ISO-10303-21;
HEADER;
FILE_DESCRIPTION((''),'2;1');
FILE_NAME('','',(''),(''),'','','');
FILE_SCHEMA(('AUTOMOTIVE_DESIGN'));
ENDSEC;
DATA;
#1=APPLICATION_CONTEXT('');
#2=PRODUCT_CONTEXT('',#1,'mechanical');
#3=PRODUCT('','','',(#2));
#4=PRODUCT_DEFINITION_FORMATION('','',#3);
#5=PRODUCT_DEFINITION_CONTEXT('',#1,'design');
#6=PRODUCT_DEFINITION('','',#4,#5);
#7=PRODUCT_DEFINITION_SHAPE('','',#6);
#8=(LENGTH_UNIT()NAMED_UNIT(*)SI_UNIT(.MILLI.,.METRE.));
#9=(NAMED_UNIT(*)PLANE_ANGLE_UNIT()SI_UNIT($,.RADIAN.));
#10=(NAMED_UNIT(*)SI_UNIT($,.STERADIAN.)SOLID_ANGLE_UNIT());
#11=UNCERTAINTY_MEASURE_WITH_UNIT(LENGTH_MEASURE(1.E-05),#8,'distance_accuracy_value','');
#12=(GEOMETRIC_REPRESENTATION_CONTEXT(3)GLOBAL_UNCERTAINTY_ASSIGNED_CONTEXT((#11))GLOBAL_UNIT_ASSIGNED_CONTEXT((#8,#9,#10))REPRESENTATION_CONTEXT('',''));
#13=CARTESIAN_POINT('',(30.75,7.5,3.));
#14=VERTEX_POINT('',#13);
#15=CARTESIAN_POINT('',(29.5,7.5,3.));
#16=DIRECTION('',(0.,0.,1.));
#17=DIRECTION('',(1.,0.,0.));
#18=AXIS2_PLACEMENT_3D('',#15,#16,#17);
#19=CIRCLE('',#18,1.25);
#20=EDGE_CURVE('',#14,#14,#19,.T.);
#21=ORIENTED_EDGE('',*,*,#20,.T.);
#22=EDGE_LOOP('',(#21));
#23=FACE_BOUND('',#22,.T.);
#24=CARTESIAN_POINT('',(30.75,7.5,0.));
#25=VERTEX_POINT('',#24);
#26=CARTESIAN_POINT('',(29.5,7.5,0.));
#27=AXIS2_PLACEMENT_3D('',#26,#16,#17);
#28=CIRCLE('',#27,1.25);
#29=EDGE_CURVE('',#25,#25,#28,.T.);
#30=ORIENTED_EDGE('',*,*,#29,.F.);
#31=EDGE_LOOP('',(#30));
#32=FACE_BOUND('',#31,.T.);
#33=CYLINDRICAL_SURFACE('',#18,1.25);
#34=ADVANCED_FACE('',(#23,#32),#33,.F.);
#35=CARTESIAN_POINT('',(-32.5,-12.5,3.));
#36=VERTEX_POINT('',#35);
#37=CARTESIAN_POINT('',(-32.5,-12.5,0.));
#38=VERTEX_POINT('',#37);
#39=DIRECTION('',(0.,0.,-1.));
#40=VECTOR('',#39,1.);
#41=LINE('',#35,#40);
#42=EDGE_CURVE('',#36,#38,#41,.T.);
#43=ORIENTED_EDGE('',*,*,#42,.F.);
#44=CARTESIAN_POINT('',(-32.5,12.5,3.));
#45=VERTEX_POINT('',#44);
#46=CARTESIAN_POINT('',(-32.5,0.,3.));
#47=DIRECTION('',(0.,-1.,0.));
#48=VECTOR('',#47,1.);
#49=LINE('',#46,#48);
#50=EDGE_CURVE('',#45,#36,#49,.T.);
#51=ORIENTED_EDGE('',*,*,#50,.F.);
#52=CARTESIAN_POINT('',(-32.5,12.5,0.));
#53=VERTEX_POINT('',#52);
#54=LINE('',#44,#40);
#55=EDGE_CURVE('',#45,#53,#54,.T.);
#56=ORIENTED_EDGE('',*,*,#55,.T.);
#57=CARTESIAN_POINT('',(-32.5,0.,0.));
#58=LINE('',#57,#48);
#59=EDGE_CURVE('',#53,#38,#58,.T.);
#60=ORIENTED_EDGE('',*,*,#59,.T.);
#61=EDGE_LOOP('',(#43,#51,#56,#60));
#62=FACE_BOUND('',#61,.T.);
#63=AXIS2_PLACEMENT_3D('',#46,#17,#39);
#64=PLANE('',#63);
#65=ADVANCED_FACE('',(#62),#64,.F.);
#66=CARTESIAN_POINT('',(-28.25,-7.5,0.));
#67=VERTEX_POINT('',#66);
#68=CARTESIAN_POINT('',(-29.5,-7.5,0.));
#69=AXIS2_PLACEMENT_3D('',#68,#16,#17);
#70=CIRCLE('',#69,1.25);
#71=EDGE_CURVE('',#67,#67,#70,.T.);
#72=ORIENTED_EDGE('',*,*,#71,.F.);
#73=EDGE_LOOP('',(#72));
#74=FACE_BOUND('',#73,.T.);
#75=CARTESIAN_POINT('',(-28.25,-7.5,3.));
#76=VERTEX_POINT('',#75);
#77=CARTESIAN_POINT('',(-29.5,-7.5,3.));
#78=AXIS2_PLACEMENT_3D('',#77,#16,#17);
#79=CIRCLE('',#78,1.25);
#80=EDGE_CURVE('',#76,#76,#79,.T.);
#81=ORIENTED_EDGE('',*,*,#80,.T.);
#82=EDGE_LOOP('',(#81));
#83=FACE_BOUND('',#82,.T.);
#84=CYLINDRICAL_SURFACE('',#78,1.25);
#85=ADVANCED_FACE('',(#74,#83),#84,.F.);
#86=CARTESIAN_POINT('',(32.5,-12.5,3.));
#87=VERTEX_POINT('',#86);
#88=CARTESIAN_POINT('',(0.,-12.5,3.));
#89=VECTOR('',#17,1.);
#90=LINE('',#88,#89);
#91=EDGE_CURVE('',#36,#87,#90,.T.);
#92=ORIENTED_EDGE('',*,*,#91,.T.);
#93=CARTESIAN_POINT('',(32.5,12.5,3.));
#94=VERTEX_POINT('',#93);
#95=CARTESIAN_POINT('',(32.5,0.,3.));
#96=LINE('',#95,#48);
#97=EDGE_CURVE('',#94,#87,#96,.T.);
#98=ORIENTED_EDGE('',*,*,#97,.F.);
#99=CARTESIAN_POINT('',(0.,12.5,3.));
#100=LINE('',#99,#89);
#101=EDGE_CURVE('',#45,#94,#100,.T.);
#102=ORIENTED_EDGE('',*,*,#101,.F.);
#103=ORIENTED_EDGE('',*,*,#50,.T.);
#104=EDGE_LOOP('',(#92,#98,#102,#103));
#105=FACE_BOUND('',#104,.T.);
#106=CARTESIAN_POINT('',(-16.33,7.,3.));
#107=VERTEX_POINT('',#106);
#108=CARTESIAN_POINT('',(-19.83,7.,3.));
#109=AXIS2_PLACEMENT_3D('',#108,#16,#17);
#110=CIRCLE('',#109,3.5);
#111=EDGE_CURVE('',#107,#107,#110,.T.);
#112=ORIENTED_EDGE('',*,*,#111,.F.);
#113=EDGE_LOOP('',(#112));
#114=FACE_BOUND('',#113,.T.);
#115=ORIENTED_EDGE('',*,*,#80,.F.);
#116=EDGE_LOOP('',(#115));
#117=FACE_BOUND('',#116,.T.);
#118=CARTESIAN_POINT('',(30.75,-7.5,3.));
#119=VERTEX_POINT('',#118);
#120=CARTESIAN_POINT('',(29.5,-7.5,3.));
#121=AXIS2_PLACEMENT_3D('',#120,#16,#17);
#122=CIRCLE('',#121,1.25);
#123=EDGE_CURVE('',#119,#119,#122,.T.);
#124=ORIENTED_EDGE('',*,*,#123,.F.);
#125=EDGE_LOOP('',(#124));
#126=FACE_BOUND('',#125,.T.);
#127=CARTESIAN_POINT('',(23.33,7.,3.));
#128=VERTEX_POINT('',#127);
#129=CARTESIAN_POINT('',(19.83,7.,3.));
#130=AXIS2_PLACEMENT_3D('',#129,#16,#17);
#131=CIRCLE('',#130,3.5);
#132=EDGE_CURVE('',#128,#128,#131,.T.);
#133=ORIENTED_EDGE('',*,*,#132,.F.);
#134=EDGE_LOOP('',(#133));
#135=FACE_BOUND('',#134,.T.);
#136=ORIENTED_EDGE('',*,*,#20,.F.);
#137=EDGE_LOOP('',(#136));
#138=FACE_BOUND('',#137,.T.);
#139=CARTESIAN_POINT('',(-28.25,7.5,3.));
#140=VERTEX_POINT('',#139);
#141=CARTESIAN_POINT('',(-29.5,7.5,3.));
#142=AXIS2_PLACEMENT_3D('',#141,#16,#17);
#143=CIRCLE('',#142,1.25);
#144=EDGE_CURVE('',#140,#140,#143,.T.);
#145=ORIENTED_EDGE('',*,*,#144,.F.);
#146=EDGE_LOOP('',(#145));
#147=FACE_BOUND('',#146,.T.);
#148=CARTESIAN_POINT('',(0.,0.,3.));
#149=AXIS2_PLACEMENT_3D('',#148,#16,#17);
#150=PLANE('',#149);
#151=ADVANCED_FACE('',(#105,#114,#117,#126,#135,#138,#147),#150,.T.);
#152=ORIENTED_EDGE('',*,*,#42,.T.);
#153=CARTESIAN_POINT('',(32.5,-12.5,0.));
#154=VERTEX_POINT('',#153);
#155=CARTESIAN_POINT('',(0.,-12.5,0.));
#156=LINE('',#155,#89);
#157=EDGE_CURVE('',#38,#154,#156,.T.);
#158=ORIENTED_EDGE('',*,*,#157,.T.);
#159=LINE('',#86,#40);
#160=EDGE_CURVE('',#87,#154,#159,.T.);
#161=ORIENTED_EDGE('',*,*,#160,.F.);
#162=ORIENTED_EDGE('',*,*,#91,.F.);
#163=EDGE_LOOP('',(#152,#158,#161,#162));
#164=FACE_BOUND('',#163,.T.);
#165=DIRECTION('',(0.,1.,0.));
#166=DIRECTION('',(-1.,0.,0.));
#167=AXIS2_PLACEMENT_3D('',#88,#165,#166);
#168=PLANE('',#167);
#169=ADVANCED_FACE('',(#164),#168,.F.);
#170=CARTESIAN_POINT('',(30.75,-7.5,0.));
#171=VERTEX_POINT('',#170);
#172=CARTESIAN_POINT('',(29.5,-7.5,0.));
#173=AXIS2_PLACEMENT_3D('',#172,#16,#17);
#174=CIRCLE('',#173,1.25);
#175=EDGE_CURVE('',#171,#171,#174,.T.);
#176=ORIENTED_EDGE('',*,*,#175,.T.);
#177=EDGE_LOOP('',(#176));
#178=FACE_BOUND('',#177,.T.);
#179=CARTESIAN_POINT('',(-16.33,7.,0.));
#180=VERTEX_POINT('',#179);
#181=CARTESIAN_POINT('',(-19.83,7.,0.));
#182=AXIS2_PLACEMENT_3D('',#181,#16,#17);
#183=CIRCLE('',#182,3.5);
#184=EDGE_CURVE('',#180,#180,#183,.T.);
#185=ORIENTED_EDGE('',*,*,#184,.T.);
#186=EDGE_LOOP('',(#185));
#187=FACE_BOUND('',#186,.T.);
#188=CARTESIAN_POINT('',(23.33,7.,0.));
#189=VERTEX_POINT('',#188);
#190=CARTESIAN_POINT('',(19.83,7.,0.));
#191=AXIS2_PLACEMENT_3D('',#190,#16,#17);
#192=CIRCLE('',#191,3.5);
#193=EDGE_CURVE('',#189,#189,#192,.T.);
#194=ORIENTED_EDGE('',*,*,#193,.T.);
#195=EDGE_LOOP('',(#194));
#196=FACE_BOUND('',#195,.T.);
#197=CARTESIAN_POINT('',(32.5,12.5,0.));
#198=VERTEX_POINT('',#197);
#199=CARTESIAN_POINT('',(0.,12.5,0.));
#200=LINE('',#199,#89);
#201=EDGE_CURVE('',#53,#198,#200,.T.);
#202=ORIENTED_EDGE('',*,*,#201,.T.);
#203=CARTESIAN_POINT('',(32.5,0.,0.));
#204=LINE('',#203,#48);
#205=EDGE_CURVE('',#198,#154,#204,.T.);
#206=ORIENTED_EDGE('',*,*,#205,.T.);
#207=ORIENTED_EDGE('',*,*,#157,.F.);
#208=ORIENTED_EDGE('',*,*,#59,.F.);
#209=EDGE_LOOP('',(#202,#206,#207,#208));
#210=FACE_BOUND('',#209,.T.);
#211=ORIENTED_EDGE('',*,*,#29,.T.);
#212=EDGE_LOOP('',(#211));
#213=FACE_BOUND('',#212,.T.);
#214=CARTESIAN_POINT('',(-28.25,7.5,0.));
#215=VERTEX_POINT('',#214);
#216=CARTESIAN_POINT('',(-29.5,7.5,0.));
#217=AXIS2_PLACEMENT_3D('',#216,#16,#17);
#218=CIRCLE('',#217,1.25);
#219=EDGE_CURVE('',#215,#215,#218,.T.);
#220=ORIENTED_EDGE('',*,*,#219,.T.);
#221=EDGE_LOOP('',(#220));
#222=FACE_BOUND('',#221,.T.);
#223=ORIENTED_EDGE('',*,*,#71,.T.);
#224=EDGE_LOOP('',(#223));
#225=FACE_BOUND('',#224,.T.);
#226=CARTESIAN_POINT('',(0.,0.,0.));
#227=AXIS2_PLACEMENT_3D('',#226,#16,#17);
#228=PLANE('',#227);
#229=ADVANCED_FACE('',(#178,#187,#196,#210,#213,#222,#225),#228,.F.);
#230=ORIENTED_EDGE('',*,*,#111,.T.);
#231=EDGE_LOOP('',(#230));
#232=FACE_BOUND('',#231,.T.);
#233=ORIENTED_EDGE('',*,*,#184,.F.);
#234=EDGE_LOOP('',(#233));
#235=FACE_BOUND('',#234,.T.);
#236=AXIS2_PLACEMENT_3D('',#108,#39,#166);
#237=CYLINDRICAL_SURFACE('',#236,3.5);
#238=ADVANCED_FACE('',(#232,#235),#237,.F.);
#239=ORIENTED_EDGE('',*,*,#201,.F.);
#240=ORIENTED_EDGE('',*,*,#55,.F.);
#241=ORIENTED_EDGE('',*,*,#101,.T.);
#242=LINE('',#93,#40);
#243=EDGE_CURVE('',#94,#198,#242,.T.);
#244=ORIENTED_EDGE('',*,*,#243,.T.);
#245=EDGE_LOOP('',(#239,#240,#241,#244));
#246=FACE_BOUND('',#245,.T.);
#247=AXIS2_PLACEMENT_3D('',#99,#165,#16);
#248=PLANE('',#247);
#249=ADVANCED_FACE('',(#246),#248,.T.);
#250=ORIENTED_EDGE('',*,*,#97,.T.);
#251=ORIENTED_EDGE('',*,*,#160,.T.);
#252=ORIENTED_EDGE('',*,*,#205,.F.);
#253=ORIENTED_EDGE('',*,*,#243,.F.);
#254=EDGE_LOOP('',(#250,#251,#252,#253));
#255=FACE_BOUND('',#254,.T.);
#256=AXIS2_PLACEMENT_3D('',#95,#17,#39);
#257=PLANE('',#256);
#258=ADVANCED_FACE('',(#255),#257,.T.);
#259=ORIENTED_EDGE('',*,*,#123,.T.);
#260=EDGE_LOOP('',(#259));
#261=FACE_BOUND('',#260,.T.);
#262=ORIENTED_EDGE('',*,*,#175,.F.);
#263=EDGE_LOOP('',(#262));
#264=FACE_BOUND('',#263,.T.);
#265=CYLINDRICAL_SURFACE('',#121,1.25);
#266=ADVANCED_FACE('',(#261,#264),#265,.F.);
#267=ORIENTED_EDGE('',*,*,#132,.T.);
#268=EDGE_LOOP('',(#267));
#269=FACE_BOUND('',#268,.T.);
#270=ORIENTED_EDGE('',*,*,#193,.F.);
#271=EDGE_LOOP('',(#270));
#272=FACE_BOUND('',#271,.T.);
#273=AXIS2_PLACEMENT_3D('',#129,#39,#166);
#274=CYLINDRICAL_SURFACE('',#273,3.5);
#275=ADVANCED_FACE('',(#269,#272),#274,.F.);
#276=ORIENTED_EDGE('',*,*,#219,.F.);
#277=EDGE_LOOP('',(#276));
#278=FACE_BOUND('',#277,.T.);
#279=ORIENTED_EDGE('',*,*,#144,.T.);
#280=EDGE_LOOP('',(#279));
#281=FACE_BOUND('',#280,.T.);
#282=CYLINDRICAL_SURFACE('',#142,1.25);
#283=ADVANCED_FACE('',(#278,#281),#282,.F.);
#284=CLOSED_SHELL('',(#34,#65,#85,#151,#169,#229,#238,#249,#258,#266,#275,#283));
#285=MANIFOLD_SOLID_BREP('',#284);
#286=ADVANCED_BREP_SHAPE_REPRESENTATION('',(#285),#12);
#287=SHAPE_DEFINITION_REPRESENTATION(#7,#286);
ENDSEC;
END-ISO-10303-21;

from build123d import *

# Parameters (mm, degrees)
SKETCH_1_W      = 65
SKETCH_1_H      = 25
SKETCH_1_R      = 3.5
EXTRUDE_1_DEPTH = 3
M3X0_5_1_D      = 2.5
M3X0_5_1_DEPTH  = 8.5
M3X0_5_1_TIP    = 0.751075774


with BuildPart() as part:
    # ｽｹｯﾁ1 → ﾎﾞｽ - 押し出し1 (new body)
    with BuildSketch(Plane.XY):
        Rectangle(SKETCH_1_W, SKETCH_1_H)
        with Locations((-19.83, 7)):
            Circle(SKETCH_1_R, mode=Mode.SUBTRACT)
        with Locations((19.83, 7)):
            Circle(SKETCH_1_R, mode=Mode.SUBTRACT)
    extrude(amount=EXTRUDE_1_DEPTH)

    # M3x0.5 ねじ穴1
    with Locations(Plane(origin=(-29.5, 7.5, 3), x_dir=(1, 0, 0), z_dir=(0, 0, 1))):
        with Locations((0, 0), (0, -15), (59, 0), (59, -15)):
            Hole(M3X0_5_1_D / 2, depth=M3X0_5_1_DEPTH)
            with Locations((0, 0, -(M3X0_5_1_DEPTH + M3X0_5_1_TIP / 2))):  # 118° drill point
                Cone(0, M3X0_5_1_D / 2, M3X0_5_1_TIP, mode=Mode.SUBTRACT)


solid = part.part
